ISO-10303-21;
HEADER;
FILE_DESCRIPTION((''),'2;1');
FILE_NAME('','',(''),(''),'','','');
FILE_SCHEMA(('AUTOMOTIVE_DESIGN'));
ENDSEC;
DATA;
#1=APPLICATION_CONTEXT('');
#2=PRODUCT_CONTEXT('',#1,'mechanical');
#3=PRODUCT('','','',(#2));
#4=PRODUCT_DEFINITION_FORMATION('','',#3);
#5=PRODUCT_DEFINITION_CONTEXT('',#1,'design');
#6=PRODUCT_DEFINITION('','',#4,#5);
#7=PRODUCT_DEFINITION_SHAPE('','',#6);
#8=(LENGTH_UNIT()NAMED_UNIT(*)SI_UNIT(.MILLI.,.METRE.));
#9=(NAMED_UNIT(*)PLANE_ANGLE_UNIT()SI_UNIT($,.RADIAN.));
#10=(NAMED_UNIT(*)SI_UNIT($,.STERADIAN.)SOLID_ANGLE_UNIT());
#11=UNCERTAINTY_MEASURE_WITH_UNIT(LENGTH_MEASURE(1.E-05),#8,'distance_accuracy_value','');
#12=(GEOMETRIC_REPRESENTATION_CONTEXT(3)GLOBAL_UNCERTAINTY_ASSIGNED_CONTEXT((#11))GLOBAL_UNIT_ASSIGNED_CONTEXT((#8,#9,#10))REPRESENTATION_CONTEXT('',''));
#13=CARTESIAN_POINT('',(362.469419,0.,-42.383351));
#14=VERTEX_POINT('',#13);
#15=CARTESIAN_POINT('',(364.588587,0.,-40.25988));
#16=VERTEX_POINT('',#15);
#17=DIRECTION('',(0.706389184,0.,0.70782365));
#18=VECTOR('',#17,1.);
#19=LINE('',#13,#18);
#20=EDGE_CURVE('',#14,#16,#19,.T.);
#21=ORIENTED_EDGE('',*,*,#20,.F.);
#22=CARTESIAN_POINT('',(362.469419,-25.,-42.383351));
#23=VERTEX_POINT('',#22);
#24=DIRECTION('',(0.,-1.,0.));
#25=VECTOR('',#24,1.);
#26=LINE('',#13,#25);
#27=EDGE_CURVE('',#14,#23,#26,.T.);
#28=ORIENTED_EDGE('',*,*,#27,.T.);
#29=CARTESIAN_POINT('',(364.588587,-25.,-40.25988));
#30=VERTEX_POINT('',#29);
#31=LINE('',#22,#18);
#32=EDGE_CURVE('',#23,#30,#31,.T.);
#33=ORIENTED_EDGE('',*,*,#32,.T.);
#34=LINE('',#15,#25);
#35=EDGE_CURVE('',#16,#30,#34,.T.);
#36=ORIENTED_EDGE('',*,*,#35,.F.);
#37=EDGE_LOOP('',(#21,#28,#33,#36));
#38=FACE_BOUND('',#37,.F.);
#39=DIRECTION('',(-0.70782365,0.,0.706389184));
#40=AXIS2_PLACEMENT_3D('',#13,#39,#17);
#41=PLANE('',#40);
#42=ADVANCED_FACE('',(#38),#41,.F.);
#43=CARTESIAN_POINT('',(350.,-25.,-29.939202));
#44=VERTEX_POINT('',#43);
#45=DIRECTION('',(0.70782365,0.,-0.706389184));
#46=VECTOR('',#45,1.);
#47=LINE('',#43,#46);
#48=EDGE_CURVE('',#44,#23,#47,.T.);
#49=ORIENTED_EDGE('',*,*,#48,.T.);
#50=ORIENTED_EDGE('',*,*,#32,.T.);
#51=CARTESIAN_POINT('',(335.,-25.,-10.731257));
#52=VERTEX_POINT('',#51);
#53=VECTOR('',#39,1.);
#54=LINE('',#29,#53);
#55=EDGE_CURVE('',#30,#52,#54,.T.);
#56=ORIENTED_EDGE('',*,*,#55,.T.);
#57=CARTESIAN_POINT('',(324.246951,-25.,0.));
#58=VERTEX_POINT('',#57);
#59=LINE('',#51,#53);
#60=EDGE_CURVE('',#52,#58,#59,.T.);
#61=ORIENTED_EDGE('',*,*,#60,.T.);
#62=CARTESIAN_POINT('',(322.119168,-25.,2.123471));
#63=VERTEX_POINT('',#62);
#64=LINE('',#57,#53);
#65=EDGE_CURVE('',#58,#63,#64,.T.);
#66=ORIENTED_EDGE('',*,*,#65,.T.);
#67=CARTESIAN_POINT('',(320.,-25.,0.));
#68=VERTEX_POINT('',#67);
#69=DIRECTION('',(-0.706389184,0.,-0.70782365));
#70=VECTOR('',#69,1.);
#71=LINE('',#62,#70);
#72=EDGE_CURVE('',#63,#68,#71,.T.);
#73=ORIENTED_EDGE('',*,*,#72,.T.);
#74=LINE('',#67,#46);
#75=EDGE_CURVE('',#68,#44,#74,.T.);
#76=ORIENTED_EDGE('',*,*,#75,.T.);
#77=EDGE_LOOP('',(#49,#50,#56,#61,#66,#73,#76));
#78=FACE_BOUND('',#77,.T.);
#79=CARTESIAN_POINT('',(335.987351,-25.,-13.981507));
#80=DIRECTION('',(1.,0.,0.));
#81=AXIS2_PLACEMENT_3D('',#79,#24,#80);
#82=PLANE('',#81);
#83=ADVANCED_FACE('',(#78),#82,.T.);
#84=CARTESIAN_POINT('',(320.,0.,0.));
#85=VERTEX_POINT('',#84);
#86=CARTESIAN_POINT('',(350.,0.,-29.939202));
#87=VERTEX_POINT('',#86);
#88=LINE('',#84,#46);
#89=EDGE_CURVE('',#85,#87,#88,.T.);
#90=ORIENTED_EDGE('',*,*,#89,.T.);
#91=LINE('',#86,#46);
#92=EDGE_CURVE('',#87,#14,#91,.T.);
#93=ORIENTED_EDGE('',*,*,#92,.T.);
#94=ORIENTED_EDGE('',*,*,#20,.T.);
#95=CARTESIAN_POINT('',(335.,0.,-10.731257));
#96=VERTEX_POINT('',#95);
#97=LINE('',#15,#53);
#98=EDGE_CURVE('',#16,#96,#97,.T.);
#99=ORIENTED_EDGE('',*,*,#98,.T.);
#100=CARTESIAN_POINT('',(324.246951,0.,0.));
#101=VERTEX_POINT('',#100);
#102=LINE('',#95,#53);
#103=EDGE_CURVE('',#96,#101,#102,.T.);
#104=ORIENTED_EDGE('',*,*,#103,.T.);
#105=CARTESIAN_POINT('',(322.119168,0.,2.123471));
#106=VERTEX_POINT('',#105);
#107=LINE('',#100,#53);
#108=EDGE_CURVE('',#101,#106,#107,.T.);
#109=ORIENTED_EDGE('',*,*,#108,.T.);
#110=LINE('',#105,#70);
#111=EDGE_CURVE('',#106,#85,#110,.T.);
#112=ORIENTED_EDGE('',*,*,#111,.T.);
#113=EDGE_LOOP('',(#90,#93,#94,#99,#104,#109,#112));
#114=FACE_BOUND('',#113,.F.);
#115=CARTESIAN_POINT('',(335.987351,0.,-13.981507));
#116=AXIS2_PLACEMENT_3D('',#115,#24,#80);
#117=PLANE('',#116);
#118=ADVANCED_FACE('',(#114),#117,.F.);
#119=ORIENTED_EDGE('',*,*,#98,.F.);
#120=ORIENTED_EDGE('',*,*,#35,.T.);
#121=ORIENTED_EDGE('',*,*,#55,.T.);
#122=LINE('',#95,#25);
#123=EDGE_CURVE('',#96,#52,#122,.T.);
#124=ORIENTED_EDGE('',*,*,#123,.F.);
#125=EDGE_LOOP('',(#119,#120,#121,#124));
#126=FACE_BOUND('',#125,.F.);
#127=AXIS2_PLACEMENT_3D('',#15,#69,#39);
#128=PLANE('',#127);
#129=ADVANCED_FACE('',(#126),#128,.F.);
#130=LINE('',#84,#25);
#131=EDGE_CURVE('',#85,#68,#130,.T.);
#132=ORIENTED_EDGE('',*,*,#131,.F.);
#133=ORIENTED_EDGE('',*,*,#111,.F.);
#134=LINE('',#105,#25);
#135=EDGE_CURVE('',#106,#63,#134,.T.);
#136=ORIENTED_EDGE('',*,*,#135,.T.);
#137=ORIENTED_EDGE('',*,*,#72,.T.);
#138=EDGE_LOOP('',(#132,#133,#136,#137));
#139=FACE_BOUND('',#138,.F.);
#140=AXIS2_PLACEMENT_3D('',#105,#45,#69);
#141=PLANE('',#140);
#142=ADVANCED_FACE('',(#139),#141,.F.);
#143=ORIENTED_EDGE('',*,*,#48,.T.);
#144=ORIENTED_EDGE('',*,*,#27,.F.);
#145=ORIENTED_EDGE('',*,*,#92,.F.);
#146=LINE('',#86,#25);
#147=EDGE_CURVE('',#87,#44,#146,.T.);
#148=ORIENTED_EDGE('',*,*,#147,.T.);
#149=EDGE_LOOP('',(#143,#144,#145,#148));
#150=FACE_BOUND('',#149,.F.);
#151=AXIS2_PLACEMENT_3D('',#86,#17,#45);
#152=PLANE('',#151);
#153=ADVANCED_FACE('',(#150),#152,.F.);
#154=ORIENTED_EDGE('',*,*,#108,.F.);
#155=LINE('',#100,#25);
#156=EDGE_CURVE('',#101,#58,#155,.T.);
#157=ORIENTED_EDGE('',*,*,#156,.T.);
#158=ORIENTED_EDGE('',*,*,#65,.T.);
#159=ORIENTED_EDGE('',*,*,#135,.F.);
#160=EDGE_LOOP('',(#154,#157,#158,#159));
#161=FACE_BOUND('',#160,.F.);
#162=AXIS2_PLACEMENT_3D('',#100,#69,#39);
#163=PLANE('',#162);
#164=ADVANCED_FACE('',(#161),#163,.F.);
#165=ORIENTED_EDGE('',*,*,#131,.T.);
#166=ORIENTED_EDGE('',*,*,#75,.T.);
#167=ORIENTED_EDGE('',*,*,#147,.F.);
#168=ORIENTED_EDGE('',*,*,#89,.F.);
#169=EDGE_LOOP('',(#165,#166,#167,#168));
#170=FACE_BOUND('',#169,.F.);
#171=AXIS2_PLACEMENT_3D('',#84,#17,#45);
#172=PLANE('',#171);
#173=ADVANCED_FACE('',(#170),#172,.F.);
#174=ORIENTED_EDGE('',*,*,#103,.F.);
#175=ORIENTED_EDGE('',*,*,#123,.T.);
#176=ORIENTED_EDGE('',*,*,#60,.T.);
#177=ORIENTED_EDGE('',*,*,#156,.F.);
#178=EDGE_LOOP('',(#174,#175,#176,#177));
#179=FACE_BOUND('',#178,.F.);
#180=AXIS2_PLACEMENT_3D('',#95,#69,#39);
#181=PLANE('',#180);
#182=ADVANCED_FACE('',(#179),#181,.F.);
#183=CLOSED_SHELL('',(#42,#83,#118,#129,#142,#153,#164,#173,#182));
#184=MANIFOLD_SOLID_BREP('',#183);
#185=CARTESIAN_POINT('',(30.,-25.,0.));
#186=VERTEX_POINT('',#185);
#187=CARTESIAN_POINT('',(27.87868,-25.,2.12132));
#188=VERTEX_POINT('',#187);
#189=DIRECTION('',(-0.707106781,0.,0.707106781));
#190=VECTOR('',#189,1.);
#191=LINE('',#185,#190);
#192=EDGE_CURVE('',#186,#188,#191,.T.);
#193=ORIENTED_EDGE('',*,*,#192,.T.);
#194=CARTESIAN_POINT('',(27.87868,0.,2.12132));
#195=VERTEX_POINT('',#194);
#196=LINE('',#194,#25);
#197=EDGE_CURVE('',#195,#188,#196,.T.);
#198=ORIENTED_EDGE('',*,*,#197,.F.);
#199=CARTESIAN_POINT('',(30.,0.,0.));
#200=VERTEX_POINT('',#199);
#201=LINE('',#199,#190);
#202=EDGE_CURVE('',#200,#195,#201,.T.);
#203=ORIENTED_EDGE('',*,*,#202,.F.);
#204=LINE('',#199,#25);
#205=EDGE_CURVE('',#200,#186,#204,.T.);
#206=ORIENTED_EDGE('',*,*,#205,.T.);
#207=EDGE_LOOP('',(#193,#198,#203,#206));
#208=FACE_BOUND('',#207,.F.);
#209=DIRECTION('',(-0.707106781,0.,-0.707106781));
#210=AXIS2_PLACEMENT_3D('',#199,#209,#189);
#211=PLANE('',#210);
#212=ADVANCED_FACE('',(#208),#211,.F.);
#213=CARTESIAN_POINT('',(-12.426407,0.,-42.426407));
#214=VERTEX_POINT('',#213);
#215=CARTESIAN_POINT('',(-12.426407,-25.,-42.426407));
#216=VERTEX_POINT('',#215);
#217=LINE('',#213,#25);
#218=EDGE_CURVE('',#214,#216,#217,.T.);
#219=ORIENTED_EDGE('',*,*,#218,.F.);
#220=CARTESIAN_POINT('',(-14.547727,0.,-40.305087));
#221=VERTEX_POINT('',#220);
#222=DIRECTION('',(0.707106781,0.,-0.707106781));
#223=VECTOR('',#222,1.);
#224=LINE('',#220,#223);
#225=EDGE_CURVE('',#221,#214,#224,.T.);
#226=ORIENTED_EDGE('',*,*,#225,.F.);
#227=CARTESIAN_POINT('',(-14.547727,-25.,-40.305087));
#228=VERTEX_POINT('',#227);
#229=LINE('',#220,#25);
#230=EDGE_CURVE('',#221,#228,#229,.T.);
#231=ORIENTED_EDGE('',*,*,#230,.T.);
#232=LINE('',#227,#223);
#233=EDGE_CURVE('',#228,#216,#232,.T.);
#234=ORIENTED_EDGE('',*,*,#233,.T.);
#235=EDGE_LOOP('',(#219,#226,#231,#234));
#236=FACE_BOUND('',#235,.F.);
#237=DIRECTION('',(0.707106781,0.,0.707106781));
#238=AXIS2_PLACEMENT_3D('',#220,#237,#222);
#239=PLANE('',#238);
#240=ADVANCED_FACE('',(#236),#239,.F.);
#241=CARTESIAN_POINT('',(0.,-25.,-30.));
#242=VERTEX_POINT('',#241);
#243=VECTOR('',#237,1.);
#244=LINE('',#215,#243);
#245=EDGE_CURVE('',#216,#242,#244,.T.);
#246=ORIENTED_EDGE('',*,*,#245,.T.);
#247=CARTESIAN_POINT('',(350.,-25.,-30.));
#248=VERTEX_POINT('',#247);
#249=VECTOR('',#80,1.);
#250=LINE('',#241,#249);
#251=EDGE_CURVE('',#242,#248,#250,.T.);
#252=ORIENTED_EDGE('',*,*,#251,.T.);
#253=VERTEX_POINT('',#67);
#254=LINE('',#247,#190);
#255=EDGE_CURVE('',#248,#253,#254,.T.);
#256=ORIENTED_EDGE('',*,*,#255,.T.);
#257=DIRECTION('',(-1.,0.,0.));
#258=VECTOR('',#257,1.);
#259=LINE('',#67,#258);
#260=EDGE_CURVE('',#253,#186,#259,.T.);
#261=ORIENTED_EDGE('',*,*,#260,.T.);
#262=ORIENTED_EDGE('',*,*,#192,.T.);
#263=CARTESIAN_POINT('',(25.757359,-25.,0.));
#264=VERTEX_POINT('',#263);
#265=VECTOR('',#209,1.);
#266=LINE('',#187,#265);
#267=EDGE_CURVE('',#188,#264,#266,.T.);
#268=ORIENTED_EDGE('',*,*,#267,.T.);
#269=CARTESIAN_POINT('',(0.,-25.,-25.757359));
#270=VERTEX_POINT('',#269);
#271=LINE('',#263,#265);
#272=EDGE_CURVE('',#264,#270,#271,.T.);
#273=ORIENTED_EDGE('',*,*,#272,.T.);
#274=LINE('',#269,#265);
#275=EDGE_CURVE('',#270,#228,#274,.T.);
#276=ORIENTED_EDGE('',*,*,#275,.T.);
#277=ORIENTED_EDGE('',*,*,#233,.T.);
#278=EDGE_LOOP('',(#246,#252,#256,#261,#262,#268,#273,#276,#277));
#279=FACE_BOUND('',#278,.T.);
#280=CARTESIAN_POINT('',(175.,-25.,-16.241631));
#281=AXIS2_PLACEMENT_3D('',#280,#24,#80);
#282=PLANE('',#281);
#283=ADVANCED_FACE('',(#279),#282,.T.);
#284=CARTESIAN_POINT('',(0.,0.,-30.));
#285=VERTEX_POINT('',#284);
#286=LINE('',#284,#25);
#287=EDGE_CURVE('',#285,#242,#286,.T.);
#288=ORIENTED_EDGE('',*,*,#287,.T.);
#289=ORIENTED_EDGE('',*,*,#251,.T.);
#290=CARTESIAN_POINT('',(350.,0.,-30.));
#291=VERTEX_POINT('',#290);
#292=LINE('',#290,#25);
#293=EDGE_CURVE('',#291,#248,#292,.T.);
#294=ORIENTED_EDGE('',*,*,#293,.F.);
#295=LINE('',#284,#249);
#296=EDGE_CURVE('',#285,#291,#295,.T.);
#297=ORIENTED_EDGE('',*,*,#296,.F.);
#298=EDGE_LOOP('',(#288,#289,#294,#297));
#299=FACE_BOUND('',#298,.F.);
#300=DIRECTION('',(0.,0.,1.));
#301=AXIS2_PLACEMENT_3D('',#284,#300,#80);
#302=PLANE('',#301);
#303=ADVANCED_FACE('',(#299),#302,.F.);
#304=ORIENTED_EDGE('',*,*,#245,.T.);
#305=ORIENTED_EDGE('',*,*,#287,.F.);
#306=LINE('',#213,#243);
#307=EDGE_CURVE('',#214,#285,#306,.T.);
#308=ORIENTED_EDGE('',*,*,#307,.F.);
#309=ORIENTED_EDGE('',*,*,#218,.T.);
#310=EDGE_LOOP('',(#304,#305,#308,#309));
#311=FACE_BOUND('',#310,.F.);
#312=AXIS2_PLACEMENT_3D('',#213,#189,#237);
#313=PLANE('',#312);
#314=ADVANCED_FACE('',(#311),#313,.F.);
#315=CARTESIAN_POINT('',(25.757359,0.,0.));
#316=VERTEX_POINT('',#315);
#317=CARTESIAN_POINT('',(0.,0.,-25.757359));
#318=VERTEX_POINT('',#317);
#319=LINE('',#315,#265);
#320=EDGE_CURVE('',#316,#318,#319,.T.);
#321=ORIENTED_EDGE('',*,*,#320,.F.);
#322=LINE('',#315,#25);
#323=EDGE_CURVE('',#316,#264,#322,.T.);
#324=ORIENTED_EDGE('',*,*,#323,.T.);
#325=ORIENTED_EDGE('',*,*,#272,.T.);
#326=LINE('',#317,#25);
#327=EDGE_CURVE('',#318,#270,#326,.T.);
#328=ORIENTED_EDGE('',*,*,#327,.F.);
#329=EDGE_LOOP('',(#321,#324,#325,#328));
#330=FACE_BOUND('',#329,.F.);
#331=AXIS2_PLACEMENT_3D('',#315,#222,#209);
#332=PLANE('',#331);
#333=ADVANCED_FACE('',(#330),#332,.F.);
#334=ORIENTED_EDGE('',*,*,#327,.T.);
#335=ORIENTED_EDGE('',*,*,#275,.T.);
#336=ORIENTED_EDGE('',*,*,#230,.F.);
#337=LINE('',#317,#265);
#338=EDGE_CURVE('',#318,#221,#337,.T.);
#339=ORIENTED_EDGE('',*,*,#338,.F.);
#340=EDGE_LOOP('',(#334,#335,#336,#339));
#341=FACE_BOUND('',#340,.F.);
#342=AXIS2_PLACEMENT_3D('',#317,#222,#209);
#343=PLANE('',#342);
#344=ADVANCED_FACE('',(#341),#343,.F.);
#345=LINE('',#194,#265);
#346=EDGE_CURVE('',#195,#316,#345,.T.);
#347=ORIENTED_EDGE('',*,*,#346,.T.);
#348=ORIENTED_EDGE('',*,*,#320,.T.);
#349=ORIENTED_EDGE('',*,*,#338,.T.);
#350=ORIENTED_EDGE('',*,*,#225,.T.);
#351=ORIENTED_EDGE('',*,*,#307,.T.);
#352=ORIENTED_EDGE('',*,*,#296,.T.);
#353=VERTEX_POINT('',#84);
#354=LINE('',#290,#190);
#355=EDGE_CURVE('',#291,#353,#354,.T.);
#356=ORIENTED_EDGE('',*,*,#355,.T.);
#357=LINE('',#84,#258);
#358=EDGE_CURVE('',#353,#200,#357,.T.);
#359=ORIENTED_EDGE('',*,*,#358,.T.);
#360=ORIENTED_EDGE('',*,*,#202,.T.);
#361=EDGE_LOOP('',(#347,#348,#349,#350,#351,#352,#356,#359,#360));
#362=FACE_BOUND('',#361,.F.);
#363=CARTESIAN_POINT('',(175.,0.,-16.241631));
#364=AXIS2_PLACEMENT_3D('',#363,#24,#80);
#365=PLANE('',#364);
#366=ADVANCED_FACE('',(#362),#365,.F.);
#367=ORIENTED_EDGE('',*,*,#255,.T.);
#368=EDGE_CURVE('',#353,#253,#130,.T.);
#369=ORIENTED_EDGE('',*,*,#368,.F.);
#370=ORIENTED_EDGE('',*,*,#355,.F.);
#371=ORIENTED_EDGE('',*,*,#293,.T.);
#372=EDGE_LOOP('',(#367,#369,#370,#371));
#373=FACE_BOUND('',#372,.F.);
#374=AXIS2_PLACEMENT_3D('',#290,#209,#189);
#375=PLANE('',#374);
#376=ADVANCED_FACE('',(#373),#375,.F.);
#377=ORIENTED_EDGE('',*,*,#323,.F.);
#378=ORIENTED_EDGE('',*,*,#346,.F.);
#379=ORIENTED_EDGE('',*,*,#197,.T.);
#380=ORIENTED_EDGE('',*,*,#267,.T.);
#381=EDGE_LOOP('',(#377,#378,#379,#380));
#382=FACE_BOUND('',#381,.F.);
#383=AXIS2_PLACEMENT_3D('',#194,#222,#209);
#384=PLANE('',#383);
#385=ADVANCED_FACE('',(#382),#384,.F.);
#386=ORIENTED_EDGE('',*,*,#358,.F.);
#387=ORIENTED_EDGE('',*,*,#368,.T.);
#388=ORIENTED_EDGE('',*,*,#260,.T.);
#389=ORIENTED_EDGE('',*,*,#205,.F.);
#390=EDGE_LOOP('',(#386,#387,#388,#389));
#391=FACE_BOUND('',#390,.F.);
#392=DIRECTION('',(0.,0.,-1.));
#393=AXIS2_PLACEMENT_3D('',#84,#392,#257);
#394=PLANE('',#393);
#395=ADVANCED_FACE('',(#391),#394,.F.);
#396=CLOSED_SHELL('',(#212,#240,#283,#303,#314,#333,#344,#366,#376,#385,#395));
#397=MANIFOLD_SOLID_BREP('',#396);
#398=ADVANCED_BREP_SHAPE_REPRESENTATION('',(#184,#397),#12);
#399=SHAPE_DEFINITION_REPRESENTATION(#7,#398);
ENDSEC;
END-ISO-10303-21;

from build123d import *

# Parameters (mm, degrees)
F1_DEPTH = 25


with BuildPart() as f1:
    # F0 (on Front) → F1 (new body)
    with BuildSketch(Plane.XZ):
        Polygon((320, 0), (30, 0), (0, -30), (350, -30), align=None)
        Polygon((0, -30), (30, 0), (25.7573593129, 0), (0, -25.7573593129), align=None)
        Polygon((-12.4264068712, -42.4264068712), (0, -30), (0, -25.7573593129), (-14.5477272148, -40.3050865276), align=None)
        Polygon((25.7573593129, 0), (30, 0), (27.8786796564, 2.1213203436), align=None)
    extrude(amount=F1_DEPTH)


with BuildPart() as f1b:
    # F0 (on Front) → F1, piece 2 (new body)
    with BuildSketch(Plane.XZ):
        Polygon((324.2469506412, 0), (320, 0), (350, -29.9392024028), (350, -25.7008585747), (335, -10.7312573733), align=None)
        Polygon((322.1191675534, 2.1234709512), (320, 0), (324.2469506412, 0), align=None)
        Polygon((350, -25.7008585747), (350, -29.9392024028), (362.4694190233, -42.3833510688), (364.5885865767, -40.2598801177), align=None)
    extrude(amount=F1_DEPTH)


solid = Compound([f1.part, f1b.part])
